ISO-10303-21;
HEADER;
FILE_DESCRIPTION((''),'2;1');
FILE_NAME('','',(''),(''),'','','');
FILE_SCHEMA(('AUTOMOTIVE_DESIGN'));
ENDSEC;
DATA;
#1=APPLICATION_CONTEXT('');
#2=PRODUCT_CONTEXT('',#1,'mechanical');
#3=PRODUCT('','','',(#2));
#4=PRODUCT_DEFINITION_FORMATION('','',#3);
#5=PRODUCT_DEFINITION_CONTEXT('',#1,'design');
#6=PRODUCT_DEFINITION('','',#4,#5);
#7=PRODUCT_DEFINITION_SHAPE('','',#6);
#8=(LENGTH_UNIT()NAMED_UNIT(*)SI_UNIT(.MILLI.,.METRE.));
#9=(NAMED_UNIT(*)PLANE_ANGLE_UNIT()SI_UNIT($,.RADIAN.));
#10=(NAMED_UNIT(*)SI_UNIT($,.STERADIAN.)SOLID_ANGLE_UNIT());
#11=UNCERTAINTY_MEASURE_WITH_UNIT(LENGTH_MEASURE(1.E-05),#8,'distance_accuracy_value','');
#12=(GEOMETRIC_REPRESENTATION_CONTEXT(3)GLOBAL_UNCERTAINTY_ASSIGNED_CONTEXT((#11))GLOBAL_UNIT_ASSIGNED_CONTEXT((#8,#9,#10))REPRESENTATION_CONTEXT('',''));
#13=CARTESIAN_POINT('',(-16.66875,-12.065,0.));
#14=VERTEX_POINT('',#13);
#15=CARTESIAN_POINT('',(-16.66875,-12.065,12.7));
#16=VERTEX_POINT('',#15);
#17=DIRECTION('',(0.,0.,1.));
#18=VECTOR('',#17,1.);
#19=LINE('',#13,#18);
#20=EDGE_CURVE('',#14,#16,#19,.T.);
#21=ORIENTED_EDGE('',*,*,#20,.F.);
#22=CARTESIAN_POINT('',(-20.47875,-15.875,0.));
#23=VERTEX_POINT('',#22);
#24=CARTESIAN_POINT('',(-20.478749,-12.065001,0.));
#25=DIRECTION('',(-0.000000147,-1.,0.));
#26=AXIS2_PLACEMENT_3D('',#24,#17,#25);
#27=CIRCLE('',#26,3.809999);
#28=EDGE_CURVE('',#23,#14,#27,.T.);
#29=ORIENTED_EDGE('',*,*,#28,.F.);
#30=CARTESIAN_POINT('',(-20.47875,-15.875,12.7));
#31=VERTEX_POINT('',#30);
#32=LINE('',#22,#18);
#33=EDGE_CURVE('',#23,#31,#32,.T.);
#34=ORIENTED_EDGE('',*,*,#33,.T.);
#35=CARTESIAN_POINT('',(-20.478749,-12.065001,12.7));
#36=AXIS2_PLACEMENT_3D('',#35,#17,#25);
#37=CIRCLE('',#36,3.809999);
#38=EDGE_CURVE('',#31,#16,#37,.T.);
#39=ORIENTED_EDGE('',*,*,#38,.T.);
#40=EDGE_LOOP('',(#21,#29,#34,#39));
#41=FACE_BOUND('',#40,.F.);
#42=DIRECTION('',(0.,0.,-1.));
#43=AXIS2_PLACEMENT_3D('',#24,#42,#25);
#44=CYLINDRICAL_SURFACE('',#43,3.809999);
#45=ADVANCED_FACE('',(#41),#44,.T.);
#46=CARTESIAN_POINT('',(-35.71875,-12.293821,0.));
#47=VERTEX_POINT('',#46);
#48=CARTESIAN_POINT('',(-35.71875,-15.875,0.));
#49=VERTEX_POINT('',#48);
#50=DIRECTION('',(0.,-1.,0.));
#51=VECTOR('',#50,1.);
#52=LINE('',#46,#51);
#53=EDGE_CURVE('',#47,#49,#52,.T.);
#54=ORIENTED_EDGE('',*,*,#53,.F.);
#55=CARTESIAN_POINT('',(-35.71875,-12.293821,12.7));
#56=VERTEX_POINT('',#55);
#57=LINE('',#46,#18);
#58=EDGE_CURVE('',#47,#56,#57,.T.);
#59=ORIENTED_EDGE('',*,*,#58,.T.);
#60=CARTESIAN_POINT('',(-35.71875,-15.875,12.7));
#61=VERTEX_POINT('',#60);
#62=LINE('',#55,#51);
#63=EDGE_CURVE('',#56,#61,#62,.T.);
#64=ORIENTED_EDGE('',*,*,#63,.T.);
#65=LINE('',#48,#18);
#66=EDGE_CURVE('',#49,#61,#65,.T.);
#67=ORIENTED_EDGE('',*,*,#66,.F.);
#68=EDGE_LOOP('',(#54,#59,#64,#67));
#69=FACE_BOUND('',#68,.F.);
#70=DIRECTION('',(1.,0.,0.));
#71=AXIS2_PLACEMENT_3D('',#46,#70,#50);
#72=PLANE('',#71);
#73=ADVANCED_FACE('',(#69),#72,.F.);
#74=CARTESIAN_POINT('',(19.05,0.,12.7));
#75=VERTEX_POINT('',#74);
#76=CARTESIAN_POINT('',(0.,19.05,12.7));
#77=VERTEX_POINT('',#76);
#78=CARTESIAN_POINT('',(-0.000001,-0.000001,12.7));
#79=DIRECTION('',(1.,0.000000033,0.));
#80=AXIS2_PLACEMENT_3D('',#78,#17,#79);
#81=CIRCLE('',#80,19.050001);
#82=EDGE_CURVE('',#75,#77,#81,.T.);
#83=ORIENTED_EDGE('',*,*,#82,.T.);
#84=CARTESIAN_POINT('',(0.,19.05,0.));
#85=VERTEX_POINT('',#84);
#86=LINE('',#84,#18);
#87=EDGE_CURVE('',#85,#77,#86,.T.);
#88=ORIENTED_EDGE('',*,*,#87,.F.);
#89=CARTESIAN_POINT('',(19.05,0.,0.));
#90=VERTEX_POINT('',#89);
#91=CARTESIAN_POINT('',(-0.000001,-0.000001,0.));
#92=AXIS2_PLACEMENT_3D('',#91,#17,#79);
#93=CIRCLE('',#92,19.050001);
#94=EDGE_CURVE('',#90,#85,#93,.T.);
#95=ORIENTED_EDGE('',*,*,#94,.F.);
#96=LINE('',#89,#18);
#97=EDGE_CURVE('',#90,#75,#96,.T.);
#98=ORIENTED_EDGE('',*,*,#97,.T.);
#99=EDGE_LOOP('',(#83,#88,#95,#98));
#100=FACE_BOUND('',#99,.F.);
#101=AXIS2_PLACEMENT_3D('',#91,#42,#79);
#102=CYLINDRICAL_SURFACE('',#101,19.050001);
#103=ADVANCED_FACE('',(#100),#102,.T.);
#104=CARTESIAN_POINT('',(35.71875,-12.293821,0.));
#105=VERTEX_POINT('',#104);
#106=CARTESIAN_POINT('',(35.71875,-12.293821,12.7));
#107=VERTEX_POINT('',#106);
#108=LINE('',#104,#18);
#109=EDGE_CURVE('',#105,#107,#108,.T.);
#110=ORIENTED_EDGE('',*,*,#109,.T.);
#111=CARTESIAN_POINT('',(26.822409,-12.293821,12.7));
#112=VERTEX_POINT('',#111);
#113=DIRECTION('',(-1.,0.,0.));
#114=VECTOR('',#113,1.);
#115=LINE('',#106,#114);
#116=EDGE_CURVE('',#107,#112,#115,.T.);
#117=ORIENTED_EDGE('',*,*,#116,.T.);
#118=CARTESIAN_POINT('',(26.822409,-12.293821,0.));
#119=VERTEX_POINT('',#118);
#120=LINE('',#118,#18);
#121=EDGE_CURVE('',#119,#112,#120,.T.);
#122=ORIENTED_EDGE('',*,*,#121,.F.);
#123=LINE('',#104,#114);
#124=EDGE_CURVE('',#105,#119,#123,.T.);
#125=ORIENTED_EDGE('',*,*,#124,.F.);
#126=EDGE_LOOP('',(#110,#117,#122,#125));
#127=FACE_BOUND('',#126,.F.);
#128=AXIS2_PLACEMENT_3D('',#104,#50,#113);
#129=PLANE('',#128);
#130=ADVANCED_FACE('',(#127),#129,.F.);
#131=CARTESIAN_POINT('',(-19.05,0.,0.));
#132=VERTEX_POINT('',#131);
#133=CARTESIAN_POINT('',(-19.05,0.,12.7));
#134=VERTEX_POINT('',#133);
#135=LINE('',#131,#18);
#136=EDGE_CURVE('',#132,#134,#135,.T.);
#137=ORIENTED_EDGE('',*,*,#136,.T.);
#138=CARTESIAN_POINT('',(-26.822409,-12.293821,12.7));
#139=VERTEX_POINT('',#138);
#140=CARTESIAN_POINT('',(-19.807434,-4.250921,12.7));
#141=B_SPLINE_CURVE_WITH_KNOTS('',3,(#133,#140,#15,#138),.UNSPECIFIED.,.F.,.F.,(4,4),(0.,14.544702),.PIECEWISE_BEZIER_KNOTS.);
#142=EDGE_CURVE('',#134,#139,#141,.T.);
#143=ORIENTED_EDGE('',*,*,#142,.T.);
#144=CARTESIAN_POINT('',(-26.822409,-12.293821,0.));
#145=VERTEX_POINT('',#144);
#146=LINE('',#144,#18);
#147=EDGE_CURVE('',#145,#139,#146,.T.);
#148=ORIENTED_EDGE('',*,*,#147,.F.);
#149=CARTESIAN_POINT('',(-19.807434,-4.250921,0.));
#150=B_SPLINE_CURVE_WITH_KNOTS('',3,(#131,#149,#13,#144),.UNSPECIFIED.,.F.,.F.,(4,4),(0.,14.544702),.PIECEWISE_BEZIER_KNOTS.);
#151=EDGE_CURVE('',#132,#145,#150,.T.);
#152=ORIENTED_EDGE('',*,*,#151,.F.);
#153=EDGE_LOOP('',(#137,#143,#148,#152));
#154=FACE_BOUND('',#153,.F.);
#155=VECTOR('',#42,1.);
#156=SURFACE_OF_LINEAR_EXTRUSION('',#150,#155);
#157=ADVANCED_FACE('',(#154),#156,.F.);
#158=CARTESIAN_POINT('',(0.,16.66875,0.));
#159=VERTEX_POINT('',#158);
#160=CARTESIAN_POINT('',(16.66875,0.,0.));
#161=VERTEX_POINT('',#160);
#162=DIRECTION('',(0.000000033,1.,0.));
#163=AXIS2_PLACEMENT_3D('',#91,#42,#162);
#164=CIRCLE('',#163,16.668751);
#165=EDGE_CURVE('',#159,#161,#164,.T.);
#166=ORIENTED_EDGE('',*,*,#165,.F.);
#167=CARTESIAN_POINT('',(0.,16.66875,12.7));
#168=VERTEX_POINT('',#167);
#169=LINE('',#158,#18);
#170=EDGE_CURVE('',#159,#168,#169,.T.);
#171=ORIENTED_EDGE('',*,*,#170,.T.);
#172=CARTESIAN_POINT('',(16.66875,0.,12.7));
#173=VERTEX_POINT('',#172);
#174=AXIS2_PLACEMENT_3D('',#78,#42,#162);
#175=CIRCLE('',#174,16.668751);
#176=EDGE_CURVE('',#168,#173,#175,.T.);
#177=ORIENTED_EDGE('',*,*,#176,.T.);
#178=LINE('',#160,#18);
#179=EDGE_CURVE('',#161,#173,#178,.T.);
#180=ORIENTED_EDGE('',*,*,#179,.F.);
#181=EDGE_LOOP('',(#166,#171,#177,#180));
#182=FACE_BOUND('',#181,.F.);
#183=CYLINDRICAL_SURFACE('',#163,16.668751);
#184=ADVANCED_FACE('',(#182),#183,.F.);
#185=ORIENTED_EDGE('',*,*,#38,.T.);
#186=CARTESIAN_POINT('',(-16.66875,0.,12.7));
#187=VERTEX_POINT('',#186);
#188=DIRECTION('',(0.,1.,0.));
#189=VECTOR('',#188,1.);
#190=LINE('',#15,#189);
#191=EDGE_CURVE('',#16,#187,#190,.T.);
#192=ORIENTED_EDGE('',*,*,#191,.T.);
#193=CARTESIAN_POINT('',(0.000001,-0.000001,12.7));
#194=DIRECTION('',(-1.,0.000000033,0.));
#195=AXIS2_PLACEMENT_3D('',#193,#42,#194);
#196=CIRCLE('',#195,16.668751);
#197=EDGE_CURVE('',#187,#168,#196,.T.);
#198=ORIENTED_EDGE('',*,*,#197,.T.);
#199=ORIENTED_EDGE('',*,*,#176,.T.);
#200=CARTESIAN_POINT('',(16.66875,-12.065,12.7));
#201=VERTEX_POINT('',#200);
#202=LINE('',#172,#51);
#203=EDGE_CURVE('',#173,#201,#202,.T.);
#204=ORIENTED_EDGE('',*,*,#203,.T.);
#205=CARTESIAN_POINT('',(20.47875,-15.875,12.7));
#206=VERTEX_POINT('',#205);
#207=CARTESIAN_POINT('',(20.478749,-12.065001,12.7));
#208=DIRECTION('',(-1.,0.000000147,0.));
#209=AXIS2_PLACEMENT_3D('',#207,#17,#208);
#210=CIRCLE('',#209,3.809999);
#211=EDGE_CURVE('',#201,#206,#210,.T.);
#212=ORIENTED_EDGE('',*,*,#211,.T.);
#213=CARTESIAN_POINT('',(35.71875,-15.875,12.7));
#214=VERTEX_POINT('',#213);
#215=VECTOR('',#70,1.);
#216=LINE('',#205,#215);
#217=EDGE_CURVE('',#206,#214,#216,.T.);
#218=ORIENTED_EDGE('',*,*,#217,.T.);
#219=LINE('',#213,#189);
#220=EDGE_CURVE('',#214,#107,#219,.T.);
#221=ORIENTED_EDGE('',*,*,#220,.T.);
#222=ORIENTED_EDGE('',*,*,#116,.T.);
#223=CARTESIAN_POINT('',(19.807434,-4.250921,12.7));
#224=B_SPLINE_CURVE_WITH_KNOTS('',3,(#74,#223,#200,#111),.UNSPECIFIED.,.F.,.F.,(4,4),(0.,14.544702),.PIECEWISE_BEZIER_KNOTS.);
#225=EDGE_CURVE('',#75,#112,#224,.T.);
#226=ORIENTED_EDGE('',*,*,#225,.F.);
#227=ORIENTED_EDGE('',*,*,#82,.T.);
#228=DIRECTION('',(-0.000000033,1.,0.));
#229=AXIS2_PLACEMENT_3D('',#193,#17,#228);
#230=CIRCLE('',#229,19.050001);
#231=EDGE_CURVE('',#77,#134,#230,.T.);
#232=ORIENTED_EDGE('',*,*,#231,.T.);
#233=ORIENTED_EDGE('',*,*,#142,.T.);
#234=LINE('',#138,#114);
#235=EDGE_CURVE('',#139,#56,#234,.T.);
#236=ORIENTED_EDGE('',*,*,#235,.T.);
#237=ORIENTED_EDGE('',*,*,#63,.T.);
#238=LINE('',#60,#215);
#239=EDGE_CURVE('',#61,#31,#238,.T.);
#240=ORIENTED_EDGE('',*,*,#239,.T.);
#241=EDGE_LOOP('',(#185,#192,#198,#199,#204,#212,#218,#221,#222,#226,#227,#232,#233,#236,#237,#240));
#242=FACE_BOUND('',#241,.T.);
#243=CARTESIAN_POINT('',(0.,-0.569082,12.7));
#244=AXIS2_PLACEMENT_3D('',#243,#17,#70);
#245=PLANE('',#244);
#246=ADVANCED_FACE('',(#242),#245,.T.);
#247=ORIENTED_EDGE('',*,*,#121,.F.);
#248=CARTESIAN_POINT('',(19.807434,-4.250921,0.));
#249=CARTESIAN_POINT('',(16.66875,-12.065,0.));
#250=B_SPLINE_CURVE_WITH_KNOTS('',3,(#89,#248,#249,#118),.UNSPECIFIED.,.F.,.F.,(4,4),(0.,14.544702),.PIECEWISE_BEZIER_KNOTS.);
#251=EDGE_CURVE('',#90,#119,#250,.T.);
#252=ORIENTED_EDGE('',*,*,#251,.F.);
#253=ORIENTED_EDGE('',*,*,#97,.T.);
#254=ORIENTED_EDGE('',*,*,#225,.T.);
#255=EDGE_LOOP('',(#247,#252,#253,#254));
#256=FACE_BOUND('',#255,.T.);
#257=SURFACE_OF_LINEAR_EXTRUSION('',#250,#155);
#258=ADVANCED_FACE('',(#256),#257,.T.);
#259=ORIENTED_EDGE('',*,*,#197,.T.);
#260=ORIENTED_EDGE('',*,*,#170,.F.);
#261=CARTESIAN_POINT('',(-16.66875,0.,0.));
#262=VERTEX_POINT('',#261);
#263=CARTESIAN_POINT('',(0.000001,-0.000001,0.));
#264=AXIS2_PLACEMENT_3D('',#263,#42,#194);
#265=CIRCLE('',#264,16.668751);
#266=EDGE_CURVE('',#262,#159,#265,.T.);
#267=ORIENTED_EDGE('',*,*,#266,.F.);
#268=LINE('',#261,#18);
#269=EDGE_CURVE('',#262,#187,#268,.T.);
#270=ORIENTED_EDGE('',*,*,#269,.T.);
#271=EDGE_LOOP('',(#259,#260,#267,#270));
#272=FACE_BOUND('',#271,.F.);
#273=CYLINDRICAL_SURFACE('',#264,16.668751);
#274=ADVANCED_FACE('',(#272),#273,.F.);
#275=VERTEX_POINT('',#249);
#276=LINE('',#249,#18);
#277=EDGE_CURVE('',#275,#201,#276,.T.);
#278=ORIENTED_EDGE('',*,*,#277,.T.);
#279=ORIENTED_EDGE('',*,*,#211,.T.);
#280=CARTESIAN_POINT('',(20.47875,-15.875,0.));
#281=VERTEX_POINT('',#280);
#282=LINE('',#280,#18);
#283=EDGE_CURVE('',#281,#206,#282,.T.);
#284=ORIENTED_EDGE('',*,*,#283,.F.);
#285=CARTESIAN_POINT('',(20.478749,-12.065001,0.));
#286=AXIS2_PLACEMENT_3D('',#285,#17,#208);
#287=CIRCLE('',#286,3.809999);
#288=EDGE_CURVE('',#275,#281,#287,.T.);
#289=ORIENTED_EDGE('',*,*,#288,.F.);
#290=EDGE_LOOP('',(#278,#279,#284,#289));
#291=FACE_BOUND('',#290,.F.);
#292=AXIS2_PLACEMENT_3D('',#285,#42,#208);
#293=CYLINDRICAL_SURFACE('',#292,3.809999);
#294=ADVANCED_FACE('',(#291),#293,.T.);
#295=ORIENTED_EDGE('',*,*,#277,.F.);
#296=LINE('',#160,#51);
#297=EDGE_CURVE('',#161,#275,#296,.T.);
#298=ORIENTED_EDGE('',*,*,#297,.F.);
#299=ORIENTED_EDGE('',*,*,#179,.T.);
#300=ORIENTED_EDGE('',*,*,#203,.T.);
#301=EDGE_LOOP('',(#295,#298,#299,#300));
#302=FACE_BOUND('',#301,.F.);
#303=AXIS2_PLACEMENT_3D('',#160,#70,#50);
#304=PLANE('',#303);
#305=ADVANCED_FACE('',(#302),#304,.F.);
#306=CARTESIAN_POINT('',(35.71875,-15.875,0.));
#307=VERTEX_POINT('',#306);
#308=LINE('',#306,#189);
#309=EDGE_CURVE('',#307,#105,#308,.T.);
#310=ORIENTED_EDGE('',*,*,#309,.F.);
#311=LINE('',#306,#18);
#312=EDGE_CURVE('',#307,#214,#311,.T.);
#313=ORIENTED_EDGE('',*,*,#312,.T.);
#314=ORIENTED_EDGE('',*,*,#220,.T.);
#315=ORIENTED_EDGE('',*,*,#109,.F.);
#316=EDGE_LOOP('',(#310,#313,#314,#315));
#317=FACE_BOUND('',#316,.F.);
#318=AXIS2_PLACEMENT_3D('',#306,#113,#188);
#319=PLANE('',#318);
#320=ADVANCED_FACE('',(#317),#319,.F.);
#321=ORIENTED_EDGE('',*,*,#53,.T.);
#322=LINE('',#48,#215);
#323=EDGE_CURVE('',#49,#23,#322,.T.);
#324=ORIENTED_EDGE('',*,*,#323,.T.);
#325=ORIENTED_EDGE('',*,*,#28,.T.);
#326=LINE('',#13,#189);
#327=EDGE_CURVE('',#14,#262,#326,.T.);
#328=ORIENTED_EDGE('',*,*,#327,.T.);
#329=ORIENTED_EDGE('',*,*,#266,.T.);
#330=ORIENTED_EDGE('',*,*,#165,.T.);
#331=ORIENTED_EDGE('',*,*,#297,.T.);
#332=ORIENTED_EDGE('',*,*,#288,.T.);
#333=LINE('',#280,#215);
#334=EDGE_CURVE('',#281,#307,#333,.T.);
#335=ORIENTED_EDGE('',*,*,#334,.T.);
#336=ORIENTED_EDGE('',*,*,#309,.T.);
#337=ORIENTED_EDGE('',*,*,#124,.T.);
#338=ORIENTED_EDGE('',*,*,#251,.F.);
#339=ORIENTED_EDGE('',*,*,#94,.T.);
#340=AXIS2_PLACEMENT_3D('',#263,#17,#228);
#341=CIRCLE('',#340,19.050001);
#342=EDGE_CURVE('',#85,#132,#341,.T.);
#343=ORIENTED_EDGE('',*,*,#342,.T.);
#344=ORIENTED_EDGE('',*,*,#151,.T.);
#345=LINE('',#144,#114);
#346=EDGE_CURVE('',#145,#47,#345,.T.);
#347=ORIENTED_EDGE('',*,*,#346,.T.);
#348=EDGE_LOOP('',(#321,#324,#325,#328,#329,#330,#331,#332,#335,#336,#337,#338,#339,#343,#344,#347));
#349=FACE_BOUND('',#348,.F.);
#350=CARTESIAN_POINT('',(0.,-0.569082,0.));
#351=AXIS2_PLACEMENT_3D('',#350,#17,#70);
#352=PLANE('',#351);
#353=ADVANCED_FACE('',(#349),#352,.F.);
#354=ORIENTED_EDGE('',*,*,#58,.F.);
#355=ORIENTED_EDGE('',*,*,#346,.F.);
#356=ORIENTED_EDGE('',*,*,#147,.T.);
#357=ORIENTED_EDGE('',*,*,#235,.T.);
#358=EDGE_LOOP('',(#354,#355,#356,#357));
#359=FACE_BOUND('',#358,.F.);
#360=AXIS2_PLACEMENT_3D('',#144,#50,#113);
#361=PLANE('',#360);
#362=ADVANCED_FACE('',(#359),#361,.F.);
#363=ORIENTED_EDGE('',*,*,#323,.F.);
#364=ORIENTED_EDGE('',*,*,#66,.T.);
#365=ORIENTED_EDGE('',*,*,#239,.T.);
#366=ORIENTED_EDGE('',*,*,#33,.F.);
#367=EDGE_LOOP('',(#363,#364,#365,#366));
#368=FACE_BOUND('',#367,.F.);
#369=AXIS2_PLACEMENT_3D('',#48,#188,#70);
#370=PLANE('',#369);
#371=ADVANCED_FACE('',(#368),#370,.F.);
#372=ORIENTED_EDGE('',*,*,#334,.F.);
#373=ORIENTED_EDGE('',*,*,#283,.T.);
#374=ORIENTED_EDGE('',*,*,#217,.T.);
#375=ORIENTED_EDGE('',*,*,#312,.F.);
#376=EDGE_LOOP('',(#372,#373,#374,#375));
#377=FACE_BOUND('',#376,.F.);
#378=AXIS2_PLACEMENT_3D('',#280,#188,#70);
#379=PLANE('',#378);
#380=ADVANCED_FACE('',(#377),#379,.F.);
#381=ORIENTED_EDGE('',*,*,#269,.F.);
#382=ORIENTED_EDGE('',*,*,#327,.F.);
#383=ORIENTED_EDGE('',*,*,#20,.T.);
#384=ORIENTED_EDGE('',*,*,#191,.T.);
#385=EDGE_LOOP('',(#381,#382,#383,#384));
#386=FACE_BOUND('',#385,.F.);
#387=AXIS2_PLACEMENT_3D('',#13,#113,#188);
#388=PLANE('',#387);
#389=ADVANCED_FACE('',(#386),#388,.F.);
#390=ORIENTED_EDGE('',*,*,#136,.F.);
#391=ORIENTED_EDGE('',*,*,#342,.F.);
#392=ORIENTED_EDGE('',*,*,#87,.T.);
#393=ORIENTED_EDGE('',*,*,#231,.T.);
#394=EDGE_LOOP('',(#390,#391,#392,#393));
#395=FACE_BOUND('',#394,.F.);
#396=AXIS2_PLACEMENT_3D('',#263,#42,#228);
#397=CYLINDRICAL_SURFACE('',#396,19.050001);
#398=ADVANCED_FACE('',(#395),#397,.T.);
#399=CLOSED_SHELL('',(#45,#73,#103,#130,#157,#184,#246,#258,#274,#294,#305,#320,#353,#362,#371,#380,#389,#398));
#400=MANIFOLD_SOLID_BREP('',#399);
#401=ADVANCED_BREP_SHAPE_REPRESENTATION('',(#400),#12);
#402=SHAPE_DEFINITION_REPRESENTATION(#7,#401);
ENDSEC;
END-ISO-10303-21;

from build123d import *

# Parameters (mm, degrees)
F1_DEPTH = 12.7


with BuildPart() as f1:
    # F0 (on Top) → F1 (new body)
    with BuildSketch(Plane.XY):
        with BuildLine():
            ThreePointArc((0, 16.66875), (11.786586, 11.786586), (16.66875, 0))
            Line((16.66875, 0), (16.66875, -12.065))
            ThreePointArc((16.66875, -12.065), (17.784673, -14.759077), (20.47875, -15.875))
            Line((20.47875, -15.875), (35.71875, -15.875))
            Line((35.71875, -15.875), (35.71875, -12.293821))
            Line((35.71875, -12.293821), (26.822409, -12.293821))
            add(Edge.make_bspline(
                [(19.05, 0), (19.807434, -4.250921), (16.66875, -12.065), (26.822409, -12.293821)],
                knots=[0, 0, 0, 0, 14.544702, 14.544702, 14.544702, 14.544702], degree=3))
            ThreePointArc((19.05, 0), (13.470384, 13.470384), (0, 19.05))
            ThreePointArc((0, 19.05), (-13.470384, 13.470384), (-19.05, 0))
            add(Edge.make_bspline(
                [(-19.05, 0), (-19.807434, -4.250921), (-16.66875, -12.065), (-26.822409, -12.293821)],
                knots=[0, 0, 0, 0, 14.544702, 14.544702, 14.544702, 14.544702], degree=3))
            Line((-26.822409, -12.293821), (-35.71875, -12.293821))
            Line((-35.71875, -12.293821), (-35.71875, -15.875))
            Line((-35.71875, -15.875), (-20.47875, -15.875))
            ThreePointArc((-20.47875, -15.875), (-17.784673, -14.759077), (-16.66875, -12.065))
            Line((-16.66875, -12.065), (-16.66875, 0))
            ThreePointArc((-16.66875, 0), (-11.786586, 11.786586), (0, 16.66875))
        make_face()
    extrude(amount=F1_DEPTH)


solid = f1.part
